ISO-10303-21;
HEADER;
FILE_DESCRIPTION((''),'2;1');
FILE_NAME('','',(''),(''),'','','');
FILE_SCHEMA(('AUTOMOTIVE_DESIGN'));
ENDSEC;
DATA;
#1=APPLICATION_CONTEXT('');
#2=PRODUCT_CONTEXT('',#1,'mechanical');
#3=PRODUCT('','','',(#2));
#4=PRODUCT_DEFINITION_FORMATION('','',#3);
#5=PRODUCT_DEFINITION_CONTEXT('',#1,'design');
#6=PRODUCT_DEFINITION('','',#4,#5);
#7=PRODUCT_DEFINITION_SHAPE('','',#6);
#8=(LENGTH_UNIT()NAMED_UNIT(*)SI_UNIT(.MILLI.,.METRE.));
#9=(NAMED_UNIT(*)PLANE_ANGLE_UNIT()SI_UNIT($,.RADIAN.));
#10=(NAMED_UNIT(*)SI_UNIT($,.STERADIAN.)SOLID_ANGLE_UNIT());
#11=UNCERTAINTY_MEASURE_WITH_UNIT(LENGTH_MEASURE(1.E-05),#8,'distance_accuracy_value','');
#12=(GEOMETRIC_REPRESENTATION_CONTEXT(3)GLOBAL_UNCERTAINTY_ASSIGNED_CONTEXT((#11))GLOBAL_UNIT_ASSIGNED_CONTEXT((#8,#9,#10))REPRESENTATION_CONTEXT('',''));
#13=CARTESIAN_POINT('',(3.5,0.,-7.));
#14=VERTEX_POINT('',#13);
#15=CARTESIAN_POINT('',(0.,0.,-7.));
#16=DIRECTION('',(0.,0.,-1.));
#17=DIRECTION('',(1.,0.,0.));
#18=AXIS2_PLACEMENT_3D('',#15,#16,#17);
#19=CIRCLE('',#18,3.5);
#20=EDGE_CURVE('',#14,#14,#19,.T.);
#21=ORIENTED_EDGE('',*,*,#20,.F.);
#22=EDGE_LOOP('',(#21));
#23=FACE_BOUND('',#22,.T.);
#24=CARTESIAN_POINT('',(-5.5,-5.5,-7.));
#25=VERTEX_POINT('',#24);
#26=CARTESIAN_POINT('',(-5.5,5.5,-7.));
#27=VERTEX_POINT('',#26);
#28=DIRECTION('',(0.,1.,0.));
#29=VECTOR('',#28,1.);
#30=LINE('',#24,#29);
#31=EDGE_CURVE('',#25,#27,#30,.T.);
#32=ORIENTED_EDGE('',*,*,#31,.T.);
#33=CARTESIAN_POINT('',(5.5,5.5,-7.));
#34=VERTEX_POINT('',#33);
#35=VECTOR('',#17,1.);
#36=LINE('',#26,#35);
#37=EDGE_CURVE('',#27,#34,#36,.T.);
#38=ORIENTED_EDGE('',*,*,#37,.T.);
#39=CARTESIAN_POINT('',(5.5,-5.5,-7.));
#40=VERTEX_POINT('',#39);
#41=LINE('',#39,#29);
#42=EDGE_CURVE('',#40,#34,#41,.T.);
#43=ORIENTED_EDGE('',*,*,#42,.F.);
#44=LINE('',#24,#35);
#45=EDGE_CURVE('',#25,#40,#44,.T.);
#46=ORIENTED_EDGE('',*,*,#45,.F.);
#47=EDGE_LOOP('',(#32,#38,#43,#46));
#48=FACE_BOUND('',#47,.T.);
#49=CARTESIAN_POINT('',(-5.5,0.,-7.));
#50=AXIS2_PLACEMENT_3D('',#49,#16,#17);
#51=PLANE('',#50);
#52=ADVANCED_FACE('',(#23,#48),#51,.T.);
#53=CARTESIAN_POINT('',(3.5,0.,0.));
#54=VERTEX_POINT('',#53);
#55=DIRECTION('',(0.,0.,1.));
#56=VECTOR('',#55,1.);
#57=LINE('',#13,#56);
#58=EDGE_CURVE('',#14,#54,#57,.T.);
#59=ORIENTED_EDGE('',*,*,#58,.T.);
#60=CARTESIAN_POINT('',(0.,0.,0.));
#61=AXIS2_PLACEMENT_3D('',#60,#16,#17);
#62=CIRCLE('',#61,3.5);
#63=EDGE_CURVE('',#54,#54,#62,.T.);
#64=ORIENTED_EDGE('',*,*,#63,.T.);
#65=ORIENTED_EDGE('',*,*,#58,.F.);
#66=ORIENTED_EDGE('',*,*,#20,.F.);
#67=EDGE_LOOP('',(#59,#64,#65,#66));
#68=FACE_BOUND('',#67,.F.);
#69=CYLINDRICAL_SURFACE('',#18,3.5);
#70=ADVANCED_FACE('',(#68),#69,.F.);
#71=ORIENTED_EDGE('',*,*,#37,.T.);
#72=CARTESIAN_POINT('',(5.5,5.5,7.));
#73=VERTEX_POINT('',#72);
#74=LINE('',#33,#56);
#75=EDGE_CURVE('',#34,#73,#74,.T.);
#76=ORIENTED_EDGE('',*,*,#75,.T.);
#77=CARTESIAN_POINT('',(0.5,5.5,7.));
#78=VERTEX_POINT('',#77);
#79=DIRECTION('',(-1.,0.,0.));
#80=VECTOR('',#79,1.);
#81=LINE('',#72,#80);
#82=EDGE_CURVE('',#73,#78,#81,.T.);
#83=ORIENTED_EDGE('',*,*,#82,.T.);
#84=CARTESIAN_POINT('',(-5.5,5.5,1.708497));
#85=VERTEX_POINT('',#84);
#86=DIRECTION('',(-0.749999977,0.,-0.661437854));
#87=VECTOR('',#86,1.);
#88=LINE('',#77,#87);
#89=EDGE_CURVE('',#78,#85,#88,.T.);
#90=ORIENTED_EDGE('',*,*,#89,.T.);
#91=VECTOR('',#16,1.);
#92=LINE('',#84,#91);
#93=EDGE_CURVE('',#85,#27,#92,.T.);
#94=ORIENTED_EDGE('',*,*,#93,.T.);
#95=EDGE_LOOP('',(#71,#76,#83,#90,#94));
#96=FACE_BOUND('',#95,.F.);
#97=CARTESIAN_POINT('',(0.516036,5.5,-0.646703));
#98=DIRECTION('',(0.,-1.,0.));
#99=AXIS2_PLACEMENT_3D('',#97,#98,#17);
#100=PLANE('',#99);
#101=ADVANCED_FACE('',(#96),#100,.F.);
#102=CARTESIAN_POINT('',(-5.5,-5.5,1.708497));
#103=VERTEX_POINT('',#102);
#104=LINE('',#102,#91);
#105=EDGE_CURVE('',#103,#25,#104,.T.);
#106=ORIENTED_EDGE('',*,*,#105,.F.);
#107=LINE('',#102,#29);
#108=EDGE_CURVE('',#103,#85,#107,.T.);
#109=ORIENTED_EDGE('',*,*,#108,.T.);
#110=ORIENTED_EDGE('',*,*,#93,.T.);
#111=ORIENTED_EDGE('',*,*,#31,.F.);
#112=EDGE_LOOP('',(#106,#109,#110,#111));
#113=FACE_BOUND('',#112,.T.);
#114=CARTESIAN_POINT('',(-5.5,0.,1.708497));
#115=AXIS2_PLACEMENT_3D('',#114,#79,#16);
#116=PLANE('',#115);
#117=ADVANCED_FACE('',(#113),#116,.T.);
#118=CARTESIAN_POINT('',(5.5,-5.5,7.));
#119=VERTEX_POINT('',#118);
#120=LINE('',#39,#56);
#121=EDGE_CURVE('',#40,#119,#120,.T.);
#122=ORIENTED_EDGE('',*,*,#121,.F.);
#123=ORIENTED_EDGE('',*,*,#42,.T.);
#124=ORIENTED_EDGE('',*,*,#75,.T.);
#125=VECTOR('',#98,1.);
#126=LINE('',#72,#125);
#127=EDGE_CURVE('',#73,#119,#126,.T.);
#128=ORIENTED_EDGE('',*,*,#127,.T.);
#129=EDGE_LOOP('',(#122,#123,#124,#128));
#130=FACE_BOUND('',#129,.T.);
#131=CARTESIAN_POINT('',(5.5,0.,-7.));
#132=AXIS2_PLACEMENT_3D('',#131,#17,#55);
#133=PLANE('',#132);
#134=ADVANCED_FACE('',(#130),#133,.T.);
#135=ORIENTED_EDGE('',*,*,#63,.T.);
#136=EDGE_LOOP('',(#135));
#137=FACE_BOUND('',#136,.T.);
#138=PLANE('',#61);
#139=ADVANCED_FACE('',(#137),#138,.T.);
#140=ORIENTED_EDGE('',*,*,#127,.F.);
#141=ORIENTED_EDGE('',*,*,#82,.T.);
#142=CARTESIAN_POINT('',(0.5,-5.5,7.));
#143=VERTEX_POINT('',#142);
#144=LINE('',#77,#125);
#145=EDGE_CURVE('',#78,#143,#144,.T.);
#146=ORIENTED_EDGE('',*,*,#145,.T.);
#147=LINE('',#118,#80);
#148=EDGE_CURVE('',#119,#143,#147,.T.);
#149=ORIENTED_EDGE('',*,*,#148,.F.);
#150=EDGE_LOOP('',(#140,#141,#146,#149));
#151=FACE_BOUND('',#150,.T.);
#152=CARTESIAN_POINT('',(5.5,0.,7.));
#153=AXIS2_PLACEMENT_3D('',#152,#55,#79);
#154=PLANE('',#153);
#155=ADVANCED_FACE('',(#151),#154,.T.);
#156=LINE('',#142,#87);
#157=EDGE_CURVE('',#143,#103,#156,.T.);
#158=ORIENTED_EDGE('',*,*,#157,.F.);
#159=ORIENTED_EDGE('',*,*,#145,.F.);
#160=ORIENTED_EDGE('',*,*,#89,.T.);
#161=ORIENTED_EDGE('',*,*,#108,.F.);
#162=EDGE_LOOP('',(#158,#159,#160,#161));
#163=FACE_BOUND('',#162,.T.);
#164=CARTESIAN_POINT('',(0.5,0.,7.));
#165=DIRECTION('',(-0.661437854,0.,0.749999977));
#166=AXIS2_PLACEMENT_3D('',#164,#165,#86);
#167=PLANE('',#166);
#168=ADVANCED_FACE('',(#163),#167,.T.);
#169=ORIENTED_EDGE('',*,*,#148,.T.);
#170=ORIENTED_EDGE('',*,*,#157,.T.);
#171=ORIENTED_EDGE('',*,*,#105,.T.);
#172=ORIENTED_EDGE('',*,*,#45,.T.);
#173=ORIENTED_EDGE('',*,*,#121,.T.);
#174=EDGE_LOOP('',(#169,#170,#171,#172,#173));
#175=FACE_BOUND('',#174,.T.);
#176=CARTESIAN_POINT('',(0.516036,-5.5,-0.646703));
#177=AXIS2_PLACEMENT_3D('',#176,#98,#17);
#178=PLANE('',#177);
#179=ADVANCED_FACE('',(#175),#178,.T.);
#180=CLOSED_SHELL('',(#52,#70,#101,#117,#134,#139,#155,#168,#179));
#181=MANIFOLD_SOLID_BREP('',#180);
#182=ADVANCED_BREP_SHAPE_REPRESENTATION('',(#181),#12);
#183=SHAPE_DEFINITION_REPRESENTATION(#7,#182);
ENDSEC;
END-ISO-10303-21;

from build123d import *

# Parameters (mm, degrees)
F1_DEPTH = 5.5
F2_R     = 3.5
F3_DEPTH = 7


with BuildPart() as f1:
    # F0 (on Front) → F1 (new body, symmetric)
    with BuildSketch(Plane.XZ):
        Polygon((5.5, -7), (5.5, 7), (0.5, 7), (-5.5, 1.708497), (-5.5, -7), align=None)
    extrude(amount=F1_DEPTH, both=True)

    # F2 (on face) → F3 (cut)
    with BuildSketch(Plane(origin=(0, 0, -7), x_dir=(1, 0, 0), z_dir=(0, 0, -1))):
        Circle(F2_R)
    extrude(amount=-F3_DEPTH, mode=Mode.SUBTRACT)


solid = f1.part
